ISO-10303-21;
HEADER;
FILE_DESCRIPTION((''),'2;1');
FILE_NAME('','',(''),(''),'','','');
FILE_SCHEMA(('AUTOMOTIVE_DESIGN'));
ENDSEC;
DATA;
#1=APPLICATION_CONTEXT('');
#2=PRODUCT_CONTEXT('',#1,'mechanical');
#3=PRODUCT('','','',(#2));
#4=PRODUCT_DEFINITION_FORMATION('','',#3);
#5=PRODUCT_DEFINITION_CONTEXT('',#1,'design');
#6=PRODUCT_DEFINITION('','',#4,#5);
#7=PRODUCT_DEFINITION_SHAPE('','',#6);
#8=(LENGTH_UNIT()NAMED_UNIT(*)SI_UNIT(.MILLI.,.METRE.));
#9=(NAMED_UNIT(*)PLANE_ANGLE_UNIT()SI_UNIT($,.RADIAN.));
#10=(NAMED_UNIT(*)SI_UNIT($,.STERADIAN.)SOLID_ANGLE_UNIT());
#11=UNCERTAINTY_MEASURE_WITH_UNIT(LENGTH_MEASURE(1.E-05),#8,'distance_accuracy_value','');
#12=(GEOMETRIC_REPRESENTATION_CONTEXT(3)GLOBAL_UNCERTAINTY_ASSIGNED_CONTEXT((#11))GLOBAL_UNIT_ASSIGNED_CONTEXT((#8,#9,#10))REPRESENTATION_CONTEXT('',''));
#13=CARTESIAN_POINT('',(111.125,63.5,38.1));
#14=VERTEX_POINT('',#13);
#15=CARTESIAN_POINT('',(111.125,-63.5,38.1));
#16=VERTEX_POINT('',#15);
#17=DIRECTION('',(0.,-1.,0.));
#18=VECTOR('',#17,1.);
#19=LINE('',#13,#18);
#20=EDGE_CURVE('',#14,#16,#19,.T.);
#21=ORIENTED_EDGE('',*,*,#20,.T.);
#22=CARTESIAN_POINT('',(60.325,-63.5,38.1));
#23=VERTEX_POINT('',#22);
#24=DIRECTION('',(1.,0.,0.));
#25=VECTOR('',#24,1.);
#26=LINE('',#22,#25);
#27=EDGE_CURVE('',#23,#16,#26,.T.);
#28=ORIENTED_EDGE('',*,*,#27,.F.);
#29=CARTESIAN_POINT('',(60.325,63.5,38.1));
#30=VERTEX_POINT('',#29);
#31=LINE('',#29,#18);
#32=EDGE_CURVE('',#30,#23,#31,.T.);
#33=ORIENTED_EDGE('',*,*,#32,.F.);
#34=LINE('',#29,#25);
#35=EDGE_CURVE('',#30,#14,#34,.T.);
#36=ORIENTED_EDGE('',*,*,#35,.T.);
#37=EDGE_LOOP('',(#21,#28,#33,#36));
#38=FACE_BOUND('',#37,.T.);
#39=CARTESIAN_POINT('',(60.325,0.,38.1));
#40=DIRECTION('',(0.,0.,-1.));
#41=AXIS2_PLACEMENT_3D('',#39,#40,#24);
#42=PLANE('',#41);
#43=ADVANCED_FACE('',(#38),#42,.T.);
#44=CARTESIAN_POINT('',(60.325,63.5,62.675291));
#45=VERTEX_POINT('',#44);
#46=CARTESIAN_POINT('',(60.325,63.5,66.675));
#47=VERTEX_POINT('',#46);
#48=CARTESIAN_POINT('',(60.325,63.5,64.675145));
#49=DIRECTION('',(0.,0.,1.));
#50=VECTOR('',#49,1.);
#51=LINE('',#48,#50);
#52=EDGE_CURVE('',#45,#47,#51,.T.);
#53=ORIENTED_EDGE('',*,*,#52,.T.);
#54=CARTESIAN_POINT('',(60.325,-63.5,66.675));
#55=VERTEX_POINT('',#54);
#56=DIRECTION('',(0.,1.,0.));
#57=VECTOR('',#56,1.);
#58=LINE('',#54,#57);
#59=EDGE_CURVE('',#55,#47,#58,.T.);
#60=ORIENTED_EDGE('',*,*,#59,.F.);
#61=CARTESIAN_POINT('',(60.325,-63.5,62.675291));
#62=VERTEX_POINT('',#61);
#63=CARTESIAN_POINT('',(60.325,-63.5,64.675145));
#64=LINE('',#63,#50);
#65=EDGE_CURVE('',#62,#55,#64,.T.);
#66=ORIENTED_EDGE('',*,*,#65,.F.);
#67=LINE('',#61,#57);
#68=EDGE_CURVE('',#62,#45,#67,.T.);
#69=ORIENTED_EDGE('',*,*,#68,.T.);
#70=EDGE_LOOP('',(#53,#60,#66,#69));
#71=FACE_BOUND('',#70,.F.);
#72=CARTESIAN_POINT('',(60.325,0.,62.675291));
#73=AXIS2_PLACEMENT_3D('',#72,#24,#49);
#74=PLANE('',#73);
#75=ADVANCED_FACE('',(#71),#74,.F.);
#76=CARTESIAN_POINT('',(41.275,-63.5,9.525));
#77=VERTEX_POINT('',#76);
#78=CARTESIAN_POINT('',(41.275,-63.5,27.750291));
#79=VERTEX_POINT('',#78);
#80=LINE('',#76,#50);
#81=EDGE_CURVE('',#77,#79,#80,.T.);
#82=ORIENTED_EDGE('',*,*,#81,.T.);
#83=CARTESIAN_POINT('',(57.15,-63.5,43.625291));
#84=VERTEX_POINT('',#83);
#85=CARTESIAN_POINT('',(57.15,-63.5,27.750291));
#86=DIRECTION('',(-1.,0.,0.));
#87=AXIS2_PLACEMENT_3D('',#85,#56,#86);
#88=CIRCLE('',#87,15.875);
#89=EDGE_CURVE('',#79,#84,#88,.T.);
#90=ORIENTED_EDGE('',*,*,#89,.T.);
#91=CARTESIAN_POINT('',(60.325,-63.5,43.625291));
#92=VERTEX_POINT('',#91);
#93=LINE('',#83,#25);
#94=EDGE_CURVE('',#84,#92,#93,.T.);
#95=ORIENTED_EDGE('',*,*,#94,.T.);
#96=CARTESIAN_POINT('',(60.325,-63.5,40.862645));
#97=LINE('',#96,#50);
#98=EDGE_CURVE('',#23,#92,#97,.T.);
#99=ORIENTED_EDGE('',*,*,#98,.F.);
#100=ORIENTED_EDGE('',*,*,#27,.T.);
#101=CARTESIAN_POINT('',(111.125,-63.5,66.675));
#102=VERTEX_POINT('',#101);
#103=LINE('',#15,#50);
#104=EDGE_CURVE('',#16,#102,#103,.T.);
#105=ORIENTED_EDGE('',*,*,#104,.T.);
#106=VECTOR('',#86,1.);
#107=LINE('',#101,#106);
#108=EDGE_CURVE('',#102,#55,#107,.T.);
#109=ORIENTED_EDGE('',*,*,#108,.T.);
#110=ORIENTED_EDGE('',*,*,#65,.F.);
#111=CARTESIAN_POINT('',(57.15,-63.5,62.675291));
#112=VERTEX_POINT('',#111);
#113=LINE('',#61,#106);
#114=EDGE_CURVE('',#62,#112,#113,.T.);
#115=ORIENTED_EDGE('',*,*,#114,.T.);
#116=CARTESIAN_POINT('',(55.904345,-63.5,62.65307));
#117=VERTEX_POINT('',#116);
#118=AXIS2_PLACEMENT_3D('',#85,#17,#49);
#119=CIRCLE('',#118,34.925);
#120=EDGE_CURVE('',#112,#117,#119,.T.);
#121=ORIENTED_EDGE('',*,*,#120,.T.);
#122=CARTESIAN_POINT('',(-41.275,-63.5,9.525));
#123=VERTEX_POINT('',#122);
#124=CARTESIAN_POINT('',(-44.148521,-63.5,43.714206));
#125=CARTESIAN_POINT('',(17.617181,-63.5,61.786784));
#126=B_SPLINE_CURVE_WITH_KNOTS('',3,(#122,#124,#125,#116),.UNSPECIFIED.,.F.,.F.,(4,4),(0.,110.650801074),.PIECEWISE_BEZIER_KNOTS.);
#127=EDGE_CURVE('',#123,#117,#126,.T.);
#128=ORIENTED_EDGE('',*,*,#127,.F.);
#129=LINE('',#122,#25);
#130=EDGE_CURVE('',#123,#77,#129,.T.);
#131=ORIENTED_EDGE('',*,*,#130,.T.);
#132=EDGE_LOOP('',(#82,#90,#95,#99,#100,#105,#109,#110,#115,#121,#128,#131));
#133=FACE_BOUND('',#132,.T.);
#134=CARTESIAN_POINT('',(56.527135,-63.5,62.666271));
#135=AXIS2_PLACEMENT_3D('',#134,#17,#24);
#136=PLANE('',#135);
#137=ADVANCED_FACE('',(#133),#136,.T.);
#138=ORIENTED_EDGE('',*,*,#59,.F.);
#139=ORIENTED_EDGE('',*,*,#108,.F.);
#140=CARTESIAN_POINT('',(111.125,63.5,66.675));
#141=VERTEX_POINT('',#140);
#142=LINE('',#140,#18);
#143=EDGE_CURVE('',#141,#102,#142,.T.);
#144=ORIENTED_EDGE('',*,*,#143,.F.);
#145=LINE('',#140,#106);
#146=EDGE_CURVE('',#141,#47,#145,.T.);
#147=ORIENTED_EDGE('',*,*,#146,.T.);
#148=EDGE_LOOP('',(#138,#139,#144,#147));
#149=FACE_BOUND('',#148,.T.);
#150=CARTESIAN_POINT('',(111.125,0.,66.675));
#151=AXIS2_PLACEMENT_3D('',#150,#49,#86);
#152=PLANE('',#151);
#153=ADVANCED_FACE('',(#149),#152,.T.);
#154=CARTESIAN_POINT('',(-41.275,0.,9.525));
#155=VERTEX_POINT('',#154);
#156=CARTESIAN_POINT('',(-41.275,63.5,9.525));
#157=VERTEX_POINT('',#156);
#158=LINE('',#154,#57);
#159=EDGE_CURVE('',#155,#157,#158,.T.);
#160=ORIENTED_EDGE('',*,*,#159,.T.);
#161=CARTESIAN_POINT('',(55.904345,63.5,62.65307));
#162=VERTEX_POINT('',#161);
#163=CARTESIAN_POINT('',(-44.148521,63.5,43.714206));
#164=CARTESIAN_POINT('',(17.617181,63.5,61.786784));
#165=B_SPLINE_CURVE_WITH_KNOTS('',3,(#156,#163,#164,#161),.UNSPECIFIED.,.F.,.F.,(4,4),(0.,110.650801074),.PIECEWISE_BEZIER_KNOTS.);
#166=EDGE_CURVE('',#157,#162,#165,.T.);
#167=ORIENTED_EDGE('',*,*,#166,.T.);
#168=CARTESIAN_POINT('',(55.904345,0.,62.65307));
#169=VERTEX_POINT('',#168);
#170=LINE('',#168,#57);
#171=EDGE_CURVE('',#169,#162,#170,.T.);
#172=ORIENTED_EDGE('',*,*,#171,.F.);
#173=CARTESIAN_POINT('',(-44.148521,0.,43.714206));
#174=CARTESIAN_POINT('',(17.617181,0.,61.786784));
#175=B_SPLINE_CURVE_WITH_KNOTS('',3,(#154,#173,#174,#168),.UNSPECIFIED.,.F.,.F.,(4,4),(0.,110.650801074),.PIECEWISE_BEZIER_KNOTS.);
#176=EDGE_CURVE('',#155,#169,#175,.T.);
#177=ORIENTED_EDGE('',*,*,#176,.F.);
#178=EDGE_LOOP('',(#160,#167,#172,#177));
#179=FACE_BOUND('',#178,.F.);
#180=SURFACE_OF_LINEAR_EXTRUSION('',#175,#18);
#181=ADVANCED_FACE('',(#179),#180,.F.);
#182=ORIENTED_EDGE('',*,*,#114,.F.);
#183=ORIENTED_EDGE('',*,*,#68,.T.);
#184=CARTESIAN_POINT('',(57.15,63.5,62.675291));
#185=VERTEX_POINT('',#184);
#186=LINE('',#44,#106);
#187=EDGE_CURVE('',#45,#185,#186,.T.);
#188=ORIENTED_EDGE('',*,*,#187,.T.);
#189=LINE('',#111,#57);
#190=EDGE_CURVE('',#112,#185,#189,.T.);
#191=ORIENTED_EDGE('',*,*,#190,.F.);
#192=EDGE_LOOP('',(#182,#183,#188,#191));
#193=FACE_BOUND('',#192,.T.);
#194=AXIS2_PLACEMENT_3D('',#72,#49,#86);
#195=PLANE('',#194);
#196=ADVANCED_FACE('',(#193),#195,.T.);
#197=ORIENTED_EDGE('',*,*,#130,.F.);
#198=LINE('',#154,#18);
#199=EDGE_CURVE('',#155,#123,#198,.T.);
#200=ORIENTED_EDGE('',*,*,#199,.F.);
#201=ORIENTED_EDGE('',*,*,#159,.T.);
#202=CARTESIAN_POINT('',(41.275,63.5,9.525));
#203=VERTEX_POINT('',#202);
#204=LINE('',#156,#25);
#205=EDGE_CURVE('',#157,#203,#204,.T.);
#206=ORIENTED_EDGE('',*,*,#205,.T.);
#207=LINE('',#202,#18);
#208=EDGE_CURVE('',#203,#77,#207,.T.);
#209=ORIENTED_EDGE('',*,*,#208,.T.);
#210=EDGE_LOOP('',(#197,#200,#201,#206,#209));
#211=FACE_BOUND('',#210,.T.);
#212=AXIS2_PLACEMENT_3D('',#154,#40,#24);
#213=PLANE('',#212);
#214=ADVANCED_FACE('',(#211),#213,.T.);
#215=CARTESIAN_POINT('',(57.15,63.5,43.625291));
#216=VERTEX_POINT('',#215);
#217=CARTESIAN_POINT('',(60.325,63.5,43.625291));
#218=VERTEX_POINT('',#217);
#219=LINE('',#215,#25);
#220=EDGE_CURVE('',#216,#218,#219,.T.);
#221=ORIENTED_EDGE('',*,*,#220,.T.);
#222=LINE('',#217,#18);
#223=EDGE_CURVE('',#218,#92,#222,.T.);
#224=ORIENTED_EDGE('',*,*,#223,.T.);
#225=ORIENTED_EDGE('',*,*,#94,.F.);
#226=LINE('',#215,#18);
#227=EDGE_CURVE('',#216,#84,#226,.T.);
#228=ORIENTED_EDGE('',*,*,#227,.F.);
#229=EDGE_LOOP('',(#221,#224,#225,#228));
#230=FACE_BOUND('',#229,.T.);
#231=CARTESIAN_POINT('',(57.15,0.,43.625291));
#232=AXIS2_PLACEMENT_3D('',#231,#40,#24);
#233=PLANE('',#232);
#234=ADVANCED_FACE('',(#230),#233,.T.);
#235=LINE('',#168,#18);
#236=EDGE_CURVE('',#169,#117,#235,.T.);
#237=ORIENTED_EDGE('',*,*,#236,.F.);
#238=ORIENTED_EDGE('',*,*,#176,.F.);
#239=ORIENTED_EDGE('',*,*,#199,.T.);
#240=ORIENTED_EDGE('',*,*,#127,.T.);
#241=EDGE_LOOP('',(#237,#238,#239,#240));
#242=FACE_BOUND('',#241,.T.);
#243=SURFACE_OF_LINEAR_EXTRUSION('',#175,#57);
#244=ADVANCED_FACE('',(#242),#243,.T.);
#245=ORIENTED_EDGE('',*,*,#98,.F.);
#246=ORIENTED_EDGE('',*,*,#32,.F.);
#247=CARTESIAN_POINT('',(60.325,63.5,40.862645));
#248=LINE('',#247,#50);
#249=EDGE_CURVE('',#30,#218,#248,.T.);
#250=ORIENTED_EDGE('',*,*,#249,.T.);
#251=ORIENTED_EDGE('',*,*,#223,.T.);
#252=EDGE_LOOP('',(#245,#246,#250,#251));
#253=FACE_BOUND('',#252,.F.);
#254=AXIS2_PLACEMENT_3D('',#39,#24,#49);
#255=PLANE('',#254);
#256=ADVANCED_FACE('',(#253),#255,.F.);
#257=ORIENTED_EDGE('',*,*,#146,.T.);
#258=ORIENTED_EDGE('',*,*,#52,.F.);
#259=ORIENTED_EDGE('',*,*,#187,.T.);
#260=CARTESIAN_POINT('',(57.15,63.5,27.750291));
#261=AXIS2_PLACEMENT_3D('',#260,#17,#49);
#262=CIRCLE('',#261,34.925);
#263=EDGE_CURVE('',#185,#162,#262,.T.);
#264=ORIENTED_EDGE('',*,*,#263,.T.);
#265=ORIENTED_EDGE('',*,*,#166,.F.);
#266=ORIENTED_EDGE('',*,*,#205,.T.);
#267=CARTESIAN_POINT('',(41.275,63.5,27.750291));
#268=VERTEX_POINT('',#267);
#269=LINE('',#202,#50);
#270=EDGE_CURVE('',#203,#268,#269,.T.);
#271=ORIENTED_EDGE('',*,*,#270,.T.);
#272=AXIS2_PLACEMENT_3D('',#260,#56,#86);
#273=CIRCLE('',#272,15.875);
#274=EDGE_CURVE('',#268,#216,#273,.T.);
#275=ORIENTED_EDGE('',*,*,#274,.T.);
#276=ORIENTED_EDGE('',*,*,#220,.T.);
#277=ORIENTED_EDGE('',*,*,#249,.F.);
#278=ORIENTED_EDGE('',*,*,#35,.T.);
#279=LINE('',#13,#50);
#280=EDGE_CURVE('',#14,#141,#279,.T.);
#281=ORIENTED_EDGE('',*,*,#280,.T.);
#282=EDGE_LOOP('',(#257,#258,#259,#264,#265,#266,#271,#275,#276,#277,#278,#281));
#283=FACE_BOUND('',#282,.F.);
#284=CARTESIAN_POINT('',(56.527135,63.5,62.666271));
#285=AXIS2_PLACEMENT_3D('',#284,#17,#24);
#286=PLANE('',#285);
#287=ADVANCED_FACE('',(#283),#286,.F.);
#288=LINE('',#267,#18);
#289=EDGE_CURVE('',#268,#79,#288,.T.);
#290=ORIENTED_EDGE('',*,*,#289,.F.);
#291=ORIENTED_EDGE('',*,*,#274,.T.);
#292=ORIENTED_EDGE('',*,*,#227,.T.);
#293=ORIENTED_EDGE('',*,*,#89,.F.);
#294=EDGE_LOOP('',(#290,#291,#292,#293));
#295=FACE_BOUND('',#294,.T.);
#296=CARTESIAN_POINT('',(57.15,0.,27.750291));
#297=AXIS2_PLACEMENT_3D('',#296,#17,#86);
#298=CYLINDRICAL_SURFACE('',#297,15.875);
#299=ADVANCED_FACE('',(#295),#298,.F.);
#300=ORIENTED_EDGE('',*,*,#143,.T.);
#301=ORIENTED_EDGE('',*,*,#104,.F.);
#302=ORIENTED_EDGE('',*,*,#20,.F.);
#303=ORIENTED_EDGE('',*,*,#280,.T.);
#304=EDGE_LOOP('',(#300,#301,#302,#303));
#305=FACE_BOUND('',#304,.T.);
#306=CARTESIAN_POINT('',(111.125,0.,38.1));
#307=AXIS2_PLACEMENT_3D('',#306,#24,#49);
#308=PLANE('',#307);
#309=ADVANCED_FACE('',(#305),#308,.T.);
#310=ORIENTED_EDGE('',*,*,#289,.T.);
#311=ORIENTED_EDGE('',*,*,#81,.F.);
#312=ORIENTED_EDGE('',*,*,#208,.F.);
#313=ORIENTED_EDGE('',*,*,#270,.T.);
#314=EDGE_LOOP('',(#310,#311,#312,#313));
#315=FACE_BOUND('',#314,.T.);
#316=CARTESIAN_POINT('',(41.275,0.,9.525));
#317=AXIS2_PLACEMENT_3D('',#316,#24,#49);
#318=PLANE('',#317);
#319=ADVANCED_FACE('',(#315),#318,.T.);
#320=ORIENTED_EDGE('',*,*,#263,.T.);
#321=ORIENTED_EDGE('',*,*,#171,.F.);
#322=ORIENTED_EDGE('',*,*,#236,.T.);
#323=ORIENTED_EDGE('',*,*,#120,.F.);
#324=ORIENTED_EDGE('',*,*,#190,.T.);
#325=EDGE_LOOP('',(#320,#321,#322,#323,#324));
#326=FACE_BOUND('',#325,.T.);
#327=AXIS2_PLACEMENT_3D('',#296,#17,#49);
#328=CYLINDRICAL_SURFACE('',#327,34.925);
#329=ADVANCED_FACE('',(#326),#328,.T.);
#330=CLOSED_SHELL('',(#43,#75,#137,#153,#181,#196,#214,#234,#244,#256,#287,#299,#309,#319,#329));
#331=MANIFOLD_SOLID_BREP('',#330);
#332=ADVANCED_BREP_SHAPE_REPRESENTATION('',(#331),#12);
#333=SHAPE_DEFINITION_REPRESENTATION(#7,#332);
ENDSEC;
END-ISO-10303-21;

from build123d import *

# Parameters (mm, degrees)
F0_W     = 25.4
F0_H     = 5.5252907636
F0_H_2   = 3.9997092364
F0_H_3   = 19.05
F1_DEPTH = 63.5


with BuildPart() as f1:
    # F0 (on Front) → F1 (new body, symmetric)
    with BuildSketch(Plane.XZ):
        with BuildLine():
            ThreePointArc((57.15, 62.6752907636), (56.5270735546, 62.6697350267), (55.9043452947, 62.6530695835))
            add(Edge.make_bspline(
                [(55.9043452947, 62.6530695835), (56.3224009601, 62.6625285107), (56.7376574323, 62.6699360436), (57.15, 62.6752907636)],
                knots=[110.6508010744, 110.6508010744, 110.6508010744, 110.6508010744, 111.8589917407, 111.8589917407, 111.8589917407, 111.8589917407], degree=3))
        make_face()
        with BuildLine():
            add(Edge.make_bspline(
                [(-41.275, 9.525), (-44.1485205161, 43.7142056375), (17.617181224, 61.7867842379), (55.9043452947, 62.6530695835)],
                knots=[0, 0, 0, 0, 110.6508010744, 110.6508010744, 110.6508010744, 110.6508010744], degree=3))
            Line((-41.275, 9.525), (22.225, 9.525))
            Line((22.225, 9.525), (22.225, 27.7502907636))
            ThreePointArc((22.225, 27.7502907636), (32.0177486525, 52.0015910835), (55.9043452947, 62.6530695835))
        make_face()
        with Locations((73.025, 40.8626453818)):
            Rectangle(F0_W, F0_H)
        with Locations((73.025, 64.6751453818)):
            Rectangle(F0_W, F0_H_2)
        Polygon((85.725, 66.675), (85.725, 62.6752907636), (85.725, 43.6252907636), (85.725, 38.1), (111.125, 38.1), (111.125, 66.675), align=None)
        with BuildLine():
            Line((22.225, 27.7502907636), (22.225, 9.525))
            Line((22.225, 9.525), (41.275, 9.525))
            Line((41.275, 9.525), (41.275, 27.7502907636))
            ThreePointArc((41.275, 27.7502907636), (45.9246798487, 38.9756109149), (57.15, 43.6252907636))
            Line((57.15, 43.6252907636), (60.325, 43.6252907636))
            Line((60.325, 43.6252907636), (60.325, 62.6752907636))
            Line((60.325, 62.6752907636), (57.15, 62.6752907636))
            add(Edge.make_bspline(
                [(55.9043452947, 62.6530695835), (56.3224009601, 62.6625285107), (56.7376574323, 62.6699360436), (57.15, 62.6752907636)],
                knots=[110.6508010744, 110.6508010744, 110.6508010744, 110.6508010744, 111.8589917407, 111.8589917407, 111.8589917407, 111.8589917407], degree=3))
            ThreePointArc((55.9043452947, 62.6530695835), (32.0177486525, 52.0015910835), (22.225, 27.7502907636))
        make_face()
        with Locations((73.025, 53.1502907636)):
            Rectangle(F0_W, F0_H_3)
    extrude(amount=F1_DEPTH, both=True)


solid = f1.part
